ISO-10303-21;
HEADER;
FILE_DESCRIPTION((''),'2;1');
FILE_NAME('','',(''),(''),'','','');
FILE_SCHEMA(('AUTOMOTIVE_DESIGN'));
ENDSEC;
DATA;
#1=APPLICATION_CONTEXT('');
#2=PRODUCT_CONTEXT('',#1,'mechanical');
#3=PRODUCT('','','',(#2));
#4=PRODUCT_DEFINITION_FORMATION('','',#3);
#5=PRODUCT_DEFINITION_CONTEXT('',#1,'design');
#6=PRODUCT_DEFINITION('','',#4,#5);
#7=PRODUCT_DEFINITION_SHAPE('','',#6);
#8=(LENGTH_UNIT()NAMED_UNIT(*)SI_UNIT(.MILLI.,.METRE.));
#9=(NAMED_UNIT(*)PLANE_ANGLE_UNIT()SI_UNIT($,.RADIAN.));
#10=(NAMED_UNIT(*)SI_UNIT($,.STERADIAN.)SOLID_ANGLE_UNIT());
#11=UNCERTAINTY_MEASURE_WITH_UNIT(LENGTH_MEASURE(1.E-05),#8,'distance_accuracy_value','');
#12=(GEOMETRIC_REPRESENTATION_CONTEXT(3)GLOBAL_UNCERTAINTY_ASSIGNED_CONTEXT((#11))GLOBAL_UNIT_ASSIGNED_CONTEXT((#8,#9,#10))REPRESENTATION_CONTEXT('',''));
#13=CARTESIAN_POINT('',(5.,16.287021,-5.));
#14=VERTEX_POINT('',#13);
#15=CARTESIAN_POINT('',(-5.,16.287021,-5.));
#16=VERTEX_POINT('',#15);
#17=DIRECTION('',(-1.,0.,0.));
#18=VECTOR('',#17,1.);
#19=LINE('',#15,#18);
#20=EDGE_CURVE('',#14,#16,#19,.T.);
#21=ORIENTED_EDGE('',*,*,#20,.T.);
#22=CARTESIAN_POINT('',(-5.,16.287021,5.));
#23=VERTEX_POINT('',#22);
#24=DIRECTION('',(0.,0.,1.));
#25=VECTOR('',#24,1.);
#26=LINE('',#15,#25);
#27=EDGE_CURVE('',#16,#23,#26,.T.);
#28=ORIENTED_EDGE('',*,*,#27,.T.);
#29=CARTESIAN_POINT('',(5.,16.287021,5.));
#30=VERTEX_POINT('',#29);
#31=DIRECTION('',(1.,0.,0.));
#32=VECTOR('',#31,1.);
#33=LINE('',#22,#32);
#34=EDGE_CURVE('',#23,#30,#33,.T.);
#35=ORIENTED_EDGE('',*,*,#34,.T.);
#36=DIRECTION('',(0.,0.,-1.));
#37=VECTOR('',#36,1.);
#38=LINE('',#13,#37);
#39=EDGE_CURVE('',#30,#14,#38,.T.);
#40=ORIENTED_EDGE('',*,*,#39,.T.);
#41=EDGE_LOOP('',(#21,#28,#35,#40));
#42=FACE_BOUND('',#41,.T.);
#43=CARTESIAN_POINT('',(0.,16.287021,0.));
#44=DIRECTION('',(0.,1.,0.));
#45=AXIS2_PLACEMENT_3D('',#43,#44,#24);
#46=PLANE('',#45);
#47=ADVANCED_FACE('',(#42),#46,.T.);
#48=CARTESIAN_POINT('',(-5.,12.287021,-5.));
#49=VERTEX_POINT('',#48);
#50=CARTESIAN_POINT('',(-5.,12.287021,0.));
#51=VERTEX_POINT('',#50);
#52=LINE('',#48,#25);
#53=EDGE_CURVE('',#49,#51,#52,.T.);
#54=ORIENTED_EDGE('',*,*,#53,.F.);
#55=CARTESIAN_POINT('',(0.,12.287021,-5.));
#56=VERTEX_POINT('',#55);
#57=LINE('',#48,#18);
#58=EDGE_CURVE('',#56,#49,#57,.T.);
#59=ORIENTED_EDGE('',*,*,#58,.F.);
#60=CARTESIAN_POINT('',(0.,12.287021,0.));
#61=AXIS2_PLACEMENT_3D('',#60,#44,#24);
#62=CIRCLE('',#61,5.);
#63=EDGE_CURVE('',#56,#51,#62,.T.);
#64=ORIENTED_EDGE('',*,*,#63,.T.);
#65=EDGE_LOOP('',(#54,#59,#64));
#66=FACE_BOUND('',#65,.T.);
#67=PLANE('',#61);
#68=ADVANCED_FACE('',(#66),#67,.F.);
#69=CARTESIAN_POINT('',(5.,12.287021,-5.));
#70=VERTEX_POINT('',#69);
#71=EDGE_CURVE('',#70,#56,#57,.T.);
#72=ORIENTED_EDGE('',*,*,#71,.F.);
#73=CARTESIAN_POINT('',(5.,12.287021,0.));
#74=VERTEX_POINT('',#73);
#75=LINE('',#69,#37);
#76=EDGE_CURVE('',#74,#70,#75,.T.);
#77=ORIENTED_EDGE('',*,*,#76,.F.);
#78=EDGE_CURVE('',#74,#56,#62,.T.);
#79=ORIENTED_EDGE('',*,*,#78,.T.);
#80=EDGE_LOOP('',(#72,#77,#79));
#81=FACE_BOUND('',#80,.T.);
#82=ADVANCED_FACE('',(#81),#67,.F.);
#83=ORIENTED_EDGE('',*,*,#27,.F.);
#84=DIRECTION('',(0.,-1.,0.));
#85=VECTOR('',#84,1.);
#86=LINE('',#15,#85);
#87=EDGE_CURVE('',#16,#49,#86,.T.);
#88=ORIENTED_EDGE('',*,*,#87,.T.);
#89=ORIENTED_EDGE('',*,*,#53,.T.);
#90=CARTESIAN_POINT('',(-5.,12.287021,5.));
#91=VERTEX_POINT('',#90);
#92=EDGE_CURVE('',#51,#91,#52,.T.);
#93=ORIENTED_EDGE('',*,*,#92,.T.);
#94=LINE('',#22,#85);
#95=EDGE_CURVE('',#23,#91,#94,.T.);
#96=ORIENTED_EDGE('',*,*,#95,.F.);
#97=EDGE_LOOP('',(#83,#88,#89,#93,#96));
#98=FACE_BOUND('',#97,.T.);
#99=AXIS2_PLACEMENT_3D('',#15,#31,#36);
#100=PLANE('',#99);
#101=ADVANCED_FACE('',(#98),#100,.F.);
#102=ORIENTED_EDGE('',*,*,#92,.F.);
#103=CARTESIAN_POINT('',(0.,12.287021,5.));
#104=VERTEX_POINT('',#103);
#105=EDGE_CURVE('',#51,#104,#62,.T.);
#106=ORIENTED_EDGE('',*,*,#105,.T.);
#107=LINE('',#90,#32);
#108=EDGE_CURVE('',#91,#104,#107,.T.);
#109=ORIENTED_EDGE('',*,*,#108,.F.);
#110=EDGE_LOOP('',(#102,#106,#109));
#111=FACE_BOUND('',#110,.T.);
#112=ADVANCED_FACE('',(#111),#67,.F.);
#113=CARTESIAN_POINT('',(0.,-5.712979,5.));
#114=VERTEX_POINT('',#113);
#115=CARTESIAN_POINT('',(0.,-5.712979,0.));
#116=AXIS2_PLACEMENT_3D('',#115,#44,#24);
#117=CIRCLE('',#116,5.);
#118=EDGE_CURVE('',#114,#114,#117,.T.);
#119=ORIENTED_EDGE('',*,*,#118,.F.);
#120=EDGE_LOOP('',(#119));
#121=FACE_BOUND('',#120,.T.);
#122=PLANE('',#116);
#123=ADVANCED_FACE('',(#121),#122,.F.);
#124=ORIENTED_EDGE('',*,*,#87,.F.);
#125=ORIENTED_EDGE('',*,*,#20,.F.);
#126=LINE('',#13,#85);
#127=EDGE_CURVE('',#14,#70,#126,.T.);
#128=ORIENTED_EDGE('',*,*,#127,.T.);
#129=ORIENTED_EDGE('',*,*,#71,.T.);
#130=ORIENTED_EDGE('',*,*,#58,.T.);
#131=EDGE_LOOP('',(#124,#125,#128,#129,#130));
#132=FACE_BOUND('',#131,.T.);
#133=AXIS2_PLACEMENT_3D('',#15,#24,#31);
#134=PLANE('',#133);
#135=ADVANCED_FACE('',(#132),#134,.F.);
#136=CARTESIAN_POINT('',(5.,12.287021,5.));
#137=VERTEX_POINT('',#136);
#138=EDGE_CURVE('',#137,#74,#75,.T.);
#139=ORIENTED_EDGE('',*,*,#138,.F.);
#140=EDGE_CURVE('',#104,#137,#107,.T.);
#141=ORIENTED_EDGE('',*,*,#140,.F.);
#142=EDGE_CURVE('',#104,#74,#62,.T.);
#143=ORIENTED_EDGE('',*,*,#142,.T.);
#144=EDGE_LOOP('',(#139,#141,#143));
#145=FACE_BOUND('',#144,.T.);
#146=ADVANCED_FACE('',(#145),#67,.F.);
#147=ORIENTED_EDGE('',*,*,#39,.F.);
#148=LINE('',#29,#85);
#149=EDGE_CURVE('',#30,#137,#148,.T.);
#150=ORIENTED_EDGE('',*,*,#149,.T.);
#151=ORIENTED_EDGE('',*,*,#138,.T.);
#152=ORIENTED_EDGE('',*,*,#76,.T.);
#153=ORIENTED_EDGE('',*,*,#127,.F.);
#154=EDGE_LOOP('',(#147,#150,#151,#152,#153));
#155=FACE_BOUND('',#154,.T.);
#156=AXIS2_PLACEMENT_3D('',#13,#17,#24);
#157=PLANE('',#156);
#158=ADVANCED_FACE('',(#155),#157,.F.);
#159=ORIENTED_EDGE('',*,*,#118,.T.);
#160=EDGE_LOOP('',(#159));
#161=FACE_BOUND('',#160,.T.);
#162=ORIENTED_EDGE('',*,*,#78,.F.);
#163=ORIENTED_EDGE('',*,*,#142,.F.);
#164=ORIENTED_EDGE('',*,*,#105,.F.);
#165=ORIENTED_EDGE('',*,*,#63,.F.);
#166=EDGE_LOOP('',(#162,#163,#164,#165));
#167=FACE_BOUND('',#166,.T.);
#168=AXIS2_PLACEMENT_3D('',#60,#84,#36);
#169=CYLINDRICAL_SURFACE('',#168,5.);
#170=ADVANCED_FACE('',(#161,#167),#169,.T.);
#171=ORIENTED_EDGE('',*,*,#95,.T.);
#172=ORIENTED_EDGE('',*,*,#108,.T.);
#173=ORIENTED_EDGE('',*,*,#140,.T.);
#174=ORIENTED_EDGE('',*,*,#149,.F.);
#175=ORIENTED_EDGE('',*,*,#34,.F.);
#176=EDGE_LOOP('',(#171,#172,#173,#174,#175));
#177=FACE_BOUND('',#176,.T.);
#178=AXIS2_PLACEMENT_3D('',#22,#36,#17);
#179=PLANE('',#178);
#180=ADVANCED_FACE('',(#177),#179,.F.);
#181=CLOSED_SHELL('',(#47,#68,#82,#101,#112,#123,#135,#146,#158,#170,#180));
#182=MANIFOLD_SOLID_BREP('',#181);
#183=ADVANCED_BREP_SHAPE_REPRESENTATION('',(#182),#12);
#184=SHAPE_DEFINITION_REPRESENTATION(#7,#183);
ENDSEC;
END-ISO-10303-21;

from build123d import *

# Parameters (mm, degrees)
SKETCH1_R           = 2.5
BOSS_EXTRUDE1_DEPTH = 9
SKETCH2_W           = 5
SKETCH2_H           = 5
BOSS_EXTRUDE2_DEPTH = 2
SCALE1_SCALE        = 2


with BuildPart() as part:
    # Sketch1 → Boss-Extrude1 (new body)
    with BuildSketch(Plane(origin=(0, 0, 0), x_dir=(1, 0, 0), z_dir=(0, 1, 0))):
        with Locations(Location((0, 0, 0), (0, 0, 270))):
            Circle(SKETCH1_R)
    extrude(amount=BOSS_EXTRUDE1_DEPTH)

    # Sketch2 → Boss-Extrude2 (add)
    with BuildSketch(Plane(origin=(0, 9, 0), x_dir=(1, 0, 0), z_dir=(0, 1, 0))):
        Rectangle(SKETCH2_W, SKETCH2_H)
    extrude(amount=BOSS_EXTRUDE2_DEPTH)


with BuildPart() as part_1:
    # Scale1: scaled about (0, 5.712978856, 0)
    add(part.part.scale(SCALE1_SCALE).moved(Location((0, -5.712978856, 0))))


solid = part_1.part
